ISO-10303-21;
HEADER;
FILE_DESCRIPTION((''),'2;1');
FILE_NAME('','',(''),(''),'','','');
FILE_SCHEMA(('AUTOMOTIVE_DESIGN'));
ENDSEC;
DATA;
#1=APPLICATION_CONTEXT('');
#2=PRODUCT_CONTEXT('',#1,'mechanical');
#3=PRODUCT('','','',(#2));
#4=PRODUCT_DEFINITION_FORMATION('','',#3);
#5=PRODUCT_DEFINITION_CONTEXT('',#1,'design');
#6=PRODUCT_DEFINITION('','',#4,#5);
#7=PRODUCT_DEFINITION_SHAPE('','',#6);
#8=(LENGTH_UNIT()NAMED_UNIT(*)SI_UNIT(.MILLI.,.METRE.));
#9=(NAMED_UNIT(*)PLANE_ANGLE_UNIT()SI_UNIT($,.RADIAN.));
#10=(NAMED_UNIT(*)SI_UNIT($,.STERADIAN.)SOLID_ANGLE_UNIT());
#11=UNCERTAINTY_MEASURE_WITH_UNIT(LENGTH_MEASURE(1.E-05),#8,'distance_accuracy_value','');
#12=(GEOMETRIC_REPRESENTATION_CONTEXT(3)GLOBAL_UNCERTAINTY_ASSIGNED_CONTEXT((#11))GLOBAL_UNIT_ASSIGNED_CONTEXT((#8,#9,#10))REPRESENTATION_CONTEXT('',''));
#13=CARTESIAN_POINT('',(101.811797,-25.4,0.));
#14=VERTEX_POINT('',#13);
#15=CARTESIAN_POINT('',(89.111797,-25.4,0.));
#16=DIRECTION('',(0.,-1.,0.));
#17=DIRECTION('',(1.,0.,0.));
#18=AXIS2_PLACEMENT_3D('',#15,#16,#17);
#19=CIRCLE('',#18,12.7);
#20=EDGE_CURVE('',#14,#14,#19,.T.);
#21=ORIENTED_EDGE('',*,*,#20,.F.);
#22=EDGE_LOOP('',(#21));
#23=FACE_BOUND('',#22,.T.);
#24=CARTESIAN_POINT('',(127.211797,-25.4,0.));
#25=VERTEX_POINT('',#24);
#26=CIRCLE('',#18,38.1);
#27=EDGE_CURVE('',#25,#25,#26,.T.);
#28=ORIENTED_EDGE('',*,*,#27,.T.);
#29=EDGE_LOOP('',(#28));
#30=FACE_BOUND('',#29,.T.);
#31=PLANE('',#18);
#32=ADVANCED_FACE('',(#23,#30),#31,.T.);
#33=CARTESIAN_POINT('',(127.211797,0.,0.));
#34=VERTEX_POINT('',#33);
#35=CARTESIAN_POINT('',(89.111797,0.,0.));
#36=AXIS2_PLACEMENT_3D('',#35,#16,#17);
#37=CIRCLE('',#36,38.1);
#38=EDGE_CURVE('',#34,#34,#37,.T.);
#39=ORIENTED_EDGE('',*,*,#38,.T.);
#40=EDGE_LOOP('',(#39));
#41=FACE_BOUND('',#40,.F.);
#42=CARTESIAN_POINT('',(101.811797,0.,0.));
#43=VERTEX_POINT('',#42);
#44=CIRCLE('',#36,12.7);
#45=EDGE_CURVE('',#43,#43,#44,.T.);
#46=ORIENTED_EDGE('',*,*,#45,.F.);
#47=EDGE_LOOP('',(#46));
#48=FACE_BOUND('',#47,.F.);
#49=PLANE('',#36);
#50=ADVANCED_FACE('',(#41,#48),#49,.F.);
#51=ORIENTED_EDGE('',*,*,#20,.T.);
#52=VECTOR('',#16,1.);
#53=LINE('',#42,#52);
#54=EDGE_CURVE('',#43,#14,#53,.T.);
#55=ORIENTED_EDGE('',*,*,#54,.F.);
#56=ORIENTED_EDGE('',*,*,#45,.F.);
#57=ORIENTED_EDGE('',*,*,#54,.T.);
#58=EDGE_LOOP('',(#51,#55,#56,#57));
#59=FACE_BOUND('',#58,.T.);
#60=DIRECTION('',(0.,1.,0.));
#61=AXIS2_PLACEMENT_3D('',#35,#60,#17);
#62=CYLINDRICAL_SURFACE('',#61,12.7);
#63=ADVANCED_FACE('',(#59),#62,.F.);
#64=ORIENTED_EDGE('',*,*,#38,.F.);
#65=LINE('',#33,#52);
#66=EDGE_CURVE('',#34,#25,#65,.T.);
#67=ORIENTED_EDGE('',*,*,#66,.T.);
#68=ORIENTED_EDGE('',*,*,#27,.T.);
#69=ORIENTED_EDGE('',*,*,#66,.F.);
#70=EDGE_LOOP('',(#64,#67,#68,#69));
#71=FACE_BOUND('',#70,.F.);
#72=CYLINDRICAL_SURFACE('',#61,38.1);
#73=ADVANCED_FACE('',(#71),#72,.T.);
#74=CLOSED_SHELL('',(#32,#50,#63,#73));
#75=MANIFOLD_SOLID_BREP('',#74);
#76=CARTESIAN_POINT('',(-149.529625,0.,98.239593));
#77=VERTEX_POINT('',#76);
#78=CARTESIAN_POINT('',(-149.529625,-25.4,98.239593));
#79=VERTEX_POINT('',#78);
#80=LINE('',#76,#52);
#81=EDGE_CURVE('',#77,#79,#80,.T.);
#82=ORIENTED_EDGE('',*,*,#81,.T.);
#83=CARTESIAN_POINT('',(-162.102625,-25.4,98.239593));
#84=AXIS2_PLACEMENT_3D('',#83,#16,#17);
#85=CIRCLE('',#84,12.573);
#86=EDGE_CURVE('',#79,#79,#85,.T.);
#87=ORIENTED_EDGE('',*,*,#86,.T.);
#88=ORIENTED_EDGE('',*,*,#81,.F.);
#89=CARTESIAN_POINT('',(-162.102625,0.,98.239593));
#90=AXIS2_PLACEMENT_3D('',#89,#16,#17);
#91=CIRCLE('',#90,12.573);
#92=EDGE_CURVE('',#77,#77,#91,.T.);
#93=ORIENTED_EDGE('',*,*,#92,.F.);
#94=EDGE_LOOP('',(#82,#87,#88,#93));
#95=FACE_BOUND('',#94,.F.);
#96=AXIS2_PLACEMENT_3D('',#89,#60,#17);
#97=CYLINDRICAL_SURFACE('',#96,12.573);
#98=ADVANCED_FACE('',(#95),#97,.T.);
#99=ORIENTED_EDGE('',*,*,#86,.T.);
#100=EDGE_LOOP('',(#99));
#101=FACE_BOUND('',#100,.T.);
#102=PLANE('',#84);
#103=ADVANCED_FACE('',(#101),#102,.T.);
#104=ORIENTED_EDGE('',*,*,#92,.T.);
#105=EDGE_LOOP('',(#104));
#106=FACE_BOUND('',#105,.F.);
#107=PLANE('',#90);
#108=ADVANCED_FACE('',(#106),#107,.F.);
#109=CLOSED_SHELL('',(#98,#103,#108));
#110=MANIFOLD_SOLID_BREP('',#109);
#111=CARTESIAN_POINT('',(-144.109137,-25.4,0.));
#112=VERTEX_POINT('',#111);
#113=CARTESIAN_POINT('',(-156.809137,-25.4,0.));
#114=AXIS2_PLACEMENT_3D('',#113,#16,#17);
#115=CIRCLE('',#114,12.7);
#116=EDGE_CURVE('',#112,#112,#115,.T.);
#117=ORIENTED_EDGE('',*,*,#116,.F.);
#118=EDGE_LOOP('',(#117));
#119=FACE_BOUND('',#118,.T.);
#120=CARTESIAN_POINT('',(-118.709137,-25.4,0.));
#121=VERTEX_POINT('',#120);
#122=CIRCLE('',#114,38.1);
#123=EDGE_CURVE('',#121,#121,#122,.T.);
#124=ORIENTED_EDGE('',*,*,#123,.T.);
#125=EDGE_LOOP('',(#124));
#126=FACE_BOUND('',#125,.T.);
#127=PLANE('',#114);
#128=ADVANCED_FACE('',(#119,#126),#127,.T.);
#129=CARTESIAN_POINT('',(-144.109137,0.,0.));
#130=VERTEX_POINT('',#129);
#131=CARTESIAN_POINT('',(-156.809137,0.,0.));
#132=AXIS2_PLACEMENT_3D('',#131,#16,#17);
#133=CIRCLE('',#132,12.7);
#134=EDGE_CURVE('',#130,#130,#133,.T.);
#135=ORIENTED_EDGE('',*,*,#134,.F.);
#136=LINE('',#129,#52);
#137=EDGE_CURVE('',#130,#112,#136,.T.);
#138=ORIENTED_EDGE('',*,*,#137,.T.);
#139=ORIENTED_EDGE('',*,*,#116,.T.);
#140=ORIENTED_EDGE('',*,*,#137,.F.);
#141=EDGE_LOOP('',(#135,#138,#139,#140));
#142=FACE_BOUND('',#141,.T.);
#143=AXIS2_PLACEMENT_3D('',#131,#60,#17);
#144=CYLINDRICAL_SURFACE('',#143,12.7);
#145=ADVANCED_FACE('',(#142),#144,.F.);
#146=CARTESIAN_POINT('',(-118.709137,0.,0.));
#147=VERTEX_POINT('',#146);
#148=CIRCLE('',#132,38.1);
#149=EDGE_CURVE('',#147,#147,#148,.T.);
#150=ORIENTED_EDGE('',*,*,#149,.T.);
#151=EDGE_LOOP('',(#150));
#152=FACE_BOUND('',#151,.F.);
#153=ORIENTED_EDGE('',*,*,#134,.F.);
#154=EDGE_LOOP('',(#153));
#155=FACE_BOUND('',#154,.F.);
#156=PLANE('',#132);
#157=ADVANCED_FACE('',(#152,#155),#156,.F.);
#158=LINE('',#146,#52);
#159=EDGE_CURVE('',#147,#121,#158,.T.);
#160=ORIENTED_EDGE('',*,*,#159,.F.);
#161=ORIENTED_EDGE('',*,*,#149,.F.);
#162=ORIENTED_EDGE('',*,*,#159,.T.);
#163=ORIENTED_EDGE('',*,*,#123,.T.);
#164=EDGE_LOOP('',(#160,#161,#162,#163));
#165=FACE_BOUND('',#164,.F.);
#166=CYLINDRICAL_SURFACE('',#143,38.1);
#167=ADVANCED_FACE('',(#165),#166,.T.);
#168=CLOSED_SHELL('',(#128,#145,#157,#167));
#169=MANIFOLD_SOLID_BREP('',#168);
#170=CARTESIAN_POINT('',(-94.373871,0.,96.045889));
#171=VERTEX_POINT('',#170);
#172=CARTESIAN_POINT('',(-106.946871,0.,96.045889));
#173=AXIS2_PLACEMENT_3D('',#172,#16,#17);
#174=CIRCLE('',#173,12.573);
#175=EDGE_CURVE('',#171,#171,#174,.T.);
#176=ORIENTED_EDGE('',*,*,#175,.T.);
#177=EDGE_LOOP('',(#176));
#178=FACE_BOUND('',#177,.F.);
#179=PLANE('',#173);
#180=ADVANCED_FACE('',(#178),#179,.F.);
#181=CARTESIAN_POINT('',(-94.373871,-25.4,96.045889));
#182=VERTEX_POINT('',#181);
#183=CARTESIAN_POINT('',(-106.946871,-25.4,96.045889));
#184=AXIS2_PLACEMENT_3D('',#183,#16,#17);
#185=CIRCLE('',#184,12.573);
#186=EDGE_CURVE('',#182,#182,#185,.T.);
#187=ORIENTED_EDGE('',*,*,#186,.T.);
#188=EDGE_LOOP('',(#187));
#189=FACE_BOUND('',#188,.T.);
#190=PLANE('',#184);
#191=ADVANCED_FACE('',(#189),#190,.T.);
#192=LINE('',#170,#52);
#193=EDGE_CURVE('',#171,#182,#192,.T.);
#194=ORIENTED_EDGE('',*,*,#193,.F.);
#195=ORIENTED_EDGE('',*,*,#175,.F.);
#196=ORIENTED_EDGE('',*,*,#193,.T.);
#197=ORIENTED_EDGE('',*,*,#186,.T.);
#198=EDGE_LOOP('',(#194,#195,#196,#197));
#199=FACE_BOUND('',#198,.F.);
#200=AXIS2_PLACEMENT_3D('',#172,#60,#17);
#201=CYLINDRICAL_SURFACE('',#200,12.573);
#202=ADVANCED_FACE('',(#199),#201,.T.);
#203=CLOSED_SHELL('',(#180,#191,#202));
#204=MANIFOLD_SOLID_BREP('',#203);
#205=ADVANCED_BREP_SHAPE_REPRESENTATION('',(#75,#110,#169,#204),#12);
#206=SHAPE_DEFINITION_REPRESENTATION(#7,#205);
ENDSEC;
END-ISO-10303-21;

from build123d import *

# Parameters (mm, degrees)
F0_R     = 12.573
F0_R_2   = 38.1
F0_R_3   = 12.7
F1_DEPTH = 25.4


with BuildPart() as f1:
    # F0 (on Front) → F1 (new body)
    with BuildSketch(Plane.XZ):
        with Locations((-162.102625, 98.239593)):
            Circle(F0_R)
        with Locations((-106.946871, 96.045889)):
            Circle(F0_R)
        with Locations((-156.809137, 0)):
            Circle(F0_R_2)
        with Locations((-156.809137, 0)):
            Circle(F0_R_3, mode=Mode.SUBTRACT)
        with Locations((89.111797, 0)):
            Circle(F0_R_2)
        with Locations((89.111797, 0)):
            Circle(F0_R_3, mode=Mode.SUBTRACT)
    extrude(amount=F1_DEPTH)


solid = f1.part
